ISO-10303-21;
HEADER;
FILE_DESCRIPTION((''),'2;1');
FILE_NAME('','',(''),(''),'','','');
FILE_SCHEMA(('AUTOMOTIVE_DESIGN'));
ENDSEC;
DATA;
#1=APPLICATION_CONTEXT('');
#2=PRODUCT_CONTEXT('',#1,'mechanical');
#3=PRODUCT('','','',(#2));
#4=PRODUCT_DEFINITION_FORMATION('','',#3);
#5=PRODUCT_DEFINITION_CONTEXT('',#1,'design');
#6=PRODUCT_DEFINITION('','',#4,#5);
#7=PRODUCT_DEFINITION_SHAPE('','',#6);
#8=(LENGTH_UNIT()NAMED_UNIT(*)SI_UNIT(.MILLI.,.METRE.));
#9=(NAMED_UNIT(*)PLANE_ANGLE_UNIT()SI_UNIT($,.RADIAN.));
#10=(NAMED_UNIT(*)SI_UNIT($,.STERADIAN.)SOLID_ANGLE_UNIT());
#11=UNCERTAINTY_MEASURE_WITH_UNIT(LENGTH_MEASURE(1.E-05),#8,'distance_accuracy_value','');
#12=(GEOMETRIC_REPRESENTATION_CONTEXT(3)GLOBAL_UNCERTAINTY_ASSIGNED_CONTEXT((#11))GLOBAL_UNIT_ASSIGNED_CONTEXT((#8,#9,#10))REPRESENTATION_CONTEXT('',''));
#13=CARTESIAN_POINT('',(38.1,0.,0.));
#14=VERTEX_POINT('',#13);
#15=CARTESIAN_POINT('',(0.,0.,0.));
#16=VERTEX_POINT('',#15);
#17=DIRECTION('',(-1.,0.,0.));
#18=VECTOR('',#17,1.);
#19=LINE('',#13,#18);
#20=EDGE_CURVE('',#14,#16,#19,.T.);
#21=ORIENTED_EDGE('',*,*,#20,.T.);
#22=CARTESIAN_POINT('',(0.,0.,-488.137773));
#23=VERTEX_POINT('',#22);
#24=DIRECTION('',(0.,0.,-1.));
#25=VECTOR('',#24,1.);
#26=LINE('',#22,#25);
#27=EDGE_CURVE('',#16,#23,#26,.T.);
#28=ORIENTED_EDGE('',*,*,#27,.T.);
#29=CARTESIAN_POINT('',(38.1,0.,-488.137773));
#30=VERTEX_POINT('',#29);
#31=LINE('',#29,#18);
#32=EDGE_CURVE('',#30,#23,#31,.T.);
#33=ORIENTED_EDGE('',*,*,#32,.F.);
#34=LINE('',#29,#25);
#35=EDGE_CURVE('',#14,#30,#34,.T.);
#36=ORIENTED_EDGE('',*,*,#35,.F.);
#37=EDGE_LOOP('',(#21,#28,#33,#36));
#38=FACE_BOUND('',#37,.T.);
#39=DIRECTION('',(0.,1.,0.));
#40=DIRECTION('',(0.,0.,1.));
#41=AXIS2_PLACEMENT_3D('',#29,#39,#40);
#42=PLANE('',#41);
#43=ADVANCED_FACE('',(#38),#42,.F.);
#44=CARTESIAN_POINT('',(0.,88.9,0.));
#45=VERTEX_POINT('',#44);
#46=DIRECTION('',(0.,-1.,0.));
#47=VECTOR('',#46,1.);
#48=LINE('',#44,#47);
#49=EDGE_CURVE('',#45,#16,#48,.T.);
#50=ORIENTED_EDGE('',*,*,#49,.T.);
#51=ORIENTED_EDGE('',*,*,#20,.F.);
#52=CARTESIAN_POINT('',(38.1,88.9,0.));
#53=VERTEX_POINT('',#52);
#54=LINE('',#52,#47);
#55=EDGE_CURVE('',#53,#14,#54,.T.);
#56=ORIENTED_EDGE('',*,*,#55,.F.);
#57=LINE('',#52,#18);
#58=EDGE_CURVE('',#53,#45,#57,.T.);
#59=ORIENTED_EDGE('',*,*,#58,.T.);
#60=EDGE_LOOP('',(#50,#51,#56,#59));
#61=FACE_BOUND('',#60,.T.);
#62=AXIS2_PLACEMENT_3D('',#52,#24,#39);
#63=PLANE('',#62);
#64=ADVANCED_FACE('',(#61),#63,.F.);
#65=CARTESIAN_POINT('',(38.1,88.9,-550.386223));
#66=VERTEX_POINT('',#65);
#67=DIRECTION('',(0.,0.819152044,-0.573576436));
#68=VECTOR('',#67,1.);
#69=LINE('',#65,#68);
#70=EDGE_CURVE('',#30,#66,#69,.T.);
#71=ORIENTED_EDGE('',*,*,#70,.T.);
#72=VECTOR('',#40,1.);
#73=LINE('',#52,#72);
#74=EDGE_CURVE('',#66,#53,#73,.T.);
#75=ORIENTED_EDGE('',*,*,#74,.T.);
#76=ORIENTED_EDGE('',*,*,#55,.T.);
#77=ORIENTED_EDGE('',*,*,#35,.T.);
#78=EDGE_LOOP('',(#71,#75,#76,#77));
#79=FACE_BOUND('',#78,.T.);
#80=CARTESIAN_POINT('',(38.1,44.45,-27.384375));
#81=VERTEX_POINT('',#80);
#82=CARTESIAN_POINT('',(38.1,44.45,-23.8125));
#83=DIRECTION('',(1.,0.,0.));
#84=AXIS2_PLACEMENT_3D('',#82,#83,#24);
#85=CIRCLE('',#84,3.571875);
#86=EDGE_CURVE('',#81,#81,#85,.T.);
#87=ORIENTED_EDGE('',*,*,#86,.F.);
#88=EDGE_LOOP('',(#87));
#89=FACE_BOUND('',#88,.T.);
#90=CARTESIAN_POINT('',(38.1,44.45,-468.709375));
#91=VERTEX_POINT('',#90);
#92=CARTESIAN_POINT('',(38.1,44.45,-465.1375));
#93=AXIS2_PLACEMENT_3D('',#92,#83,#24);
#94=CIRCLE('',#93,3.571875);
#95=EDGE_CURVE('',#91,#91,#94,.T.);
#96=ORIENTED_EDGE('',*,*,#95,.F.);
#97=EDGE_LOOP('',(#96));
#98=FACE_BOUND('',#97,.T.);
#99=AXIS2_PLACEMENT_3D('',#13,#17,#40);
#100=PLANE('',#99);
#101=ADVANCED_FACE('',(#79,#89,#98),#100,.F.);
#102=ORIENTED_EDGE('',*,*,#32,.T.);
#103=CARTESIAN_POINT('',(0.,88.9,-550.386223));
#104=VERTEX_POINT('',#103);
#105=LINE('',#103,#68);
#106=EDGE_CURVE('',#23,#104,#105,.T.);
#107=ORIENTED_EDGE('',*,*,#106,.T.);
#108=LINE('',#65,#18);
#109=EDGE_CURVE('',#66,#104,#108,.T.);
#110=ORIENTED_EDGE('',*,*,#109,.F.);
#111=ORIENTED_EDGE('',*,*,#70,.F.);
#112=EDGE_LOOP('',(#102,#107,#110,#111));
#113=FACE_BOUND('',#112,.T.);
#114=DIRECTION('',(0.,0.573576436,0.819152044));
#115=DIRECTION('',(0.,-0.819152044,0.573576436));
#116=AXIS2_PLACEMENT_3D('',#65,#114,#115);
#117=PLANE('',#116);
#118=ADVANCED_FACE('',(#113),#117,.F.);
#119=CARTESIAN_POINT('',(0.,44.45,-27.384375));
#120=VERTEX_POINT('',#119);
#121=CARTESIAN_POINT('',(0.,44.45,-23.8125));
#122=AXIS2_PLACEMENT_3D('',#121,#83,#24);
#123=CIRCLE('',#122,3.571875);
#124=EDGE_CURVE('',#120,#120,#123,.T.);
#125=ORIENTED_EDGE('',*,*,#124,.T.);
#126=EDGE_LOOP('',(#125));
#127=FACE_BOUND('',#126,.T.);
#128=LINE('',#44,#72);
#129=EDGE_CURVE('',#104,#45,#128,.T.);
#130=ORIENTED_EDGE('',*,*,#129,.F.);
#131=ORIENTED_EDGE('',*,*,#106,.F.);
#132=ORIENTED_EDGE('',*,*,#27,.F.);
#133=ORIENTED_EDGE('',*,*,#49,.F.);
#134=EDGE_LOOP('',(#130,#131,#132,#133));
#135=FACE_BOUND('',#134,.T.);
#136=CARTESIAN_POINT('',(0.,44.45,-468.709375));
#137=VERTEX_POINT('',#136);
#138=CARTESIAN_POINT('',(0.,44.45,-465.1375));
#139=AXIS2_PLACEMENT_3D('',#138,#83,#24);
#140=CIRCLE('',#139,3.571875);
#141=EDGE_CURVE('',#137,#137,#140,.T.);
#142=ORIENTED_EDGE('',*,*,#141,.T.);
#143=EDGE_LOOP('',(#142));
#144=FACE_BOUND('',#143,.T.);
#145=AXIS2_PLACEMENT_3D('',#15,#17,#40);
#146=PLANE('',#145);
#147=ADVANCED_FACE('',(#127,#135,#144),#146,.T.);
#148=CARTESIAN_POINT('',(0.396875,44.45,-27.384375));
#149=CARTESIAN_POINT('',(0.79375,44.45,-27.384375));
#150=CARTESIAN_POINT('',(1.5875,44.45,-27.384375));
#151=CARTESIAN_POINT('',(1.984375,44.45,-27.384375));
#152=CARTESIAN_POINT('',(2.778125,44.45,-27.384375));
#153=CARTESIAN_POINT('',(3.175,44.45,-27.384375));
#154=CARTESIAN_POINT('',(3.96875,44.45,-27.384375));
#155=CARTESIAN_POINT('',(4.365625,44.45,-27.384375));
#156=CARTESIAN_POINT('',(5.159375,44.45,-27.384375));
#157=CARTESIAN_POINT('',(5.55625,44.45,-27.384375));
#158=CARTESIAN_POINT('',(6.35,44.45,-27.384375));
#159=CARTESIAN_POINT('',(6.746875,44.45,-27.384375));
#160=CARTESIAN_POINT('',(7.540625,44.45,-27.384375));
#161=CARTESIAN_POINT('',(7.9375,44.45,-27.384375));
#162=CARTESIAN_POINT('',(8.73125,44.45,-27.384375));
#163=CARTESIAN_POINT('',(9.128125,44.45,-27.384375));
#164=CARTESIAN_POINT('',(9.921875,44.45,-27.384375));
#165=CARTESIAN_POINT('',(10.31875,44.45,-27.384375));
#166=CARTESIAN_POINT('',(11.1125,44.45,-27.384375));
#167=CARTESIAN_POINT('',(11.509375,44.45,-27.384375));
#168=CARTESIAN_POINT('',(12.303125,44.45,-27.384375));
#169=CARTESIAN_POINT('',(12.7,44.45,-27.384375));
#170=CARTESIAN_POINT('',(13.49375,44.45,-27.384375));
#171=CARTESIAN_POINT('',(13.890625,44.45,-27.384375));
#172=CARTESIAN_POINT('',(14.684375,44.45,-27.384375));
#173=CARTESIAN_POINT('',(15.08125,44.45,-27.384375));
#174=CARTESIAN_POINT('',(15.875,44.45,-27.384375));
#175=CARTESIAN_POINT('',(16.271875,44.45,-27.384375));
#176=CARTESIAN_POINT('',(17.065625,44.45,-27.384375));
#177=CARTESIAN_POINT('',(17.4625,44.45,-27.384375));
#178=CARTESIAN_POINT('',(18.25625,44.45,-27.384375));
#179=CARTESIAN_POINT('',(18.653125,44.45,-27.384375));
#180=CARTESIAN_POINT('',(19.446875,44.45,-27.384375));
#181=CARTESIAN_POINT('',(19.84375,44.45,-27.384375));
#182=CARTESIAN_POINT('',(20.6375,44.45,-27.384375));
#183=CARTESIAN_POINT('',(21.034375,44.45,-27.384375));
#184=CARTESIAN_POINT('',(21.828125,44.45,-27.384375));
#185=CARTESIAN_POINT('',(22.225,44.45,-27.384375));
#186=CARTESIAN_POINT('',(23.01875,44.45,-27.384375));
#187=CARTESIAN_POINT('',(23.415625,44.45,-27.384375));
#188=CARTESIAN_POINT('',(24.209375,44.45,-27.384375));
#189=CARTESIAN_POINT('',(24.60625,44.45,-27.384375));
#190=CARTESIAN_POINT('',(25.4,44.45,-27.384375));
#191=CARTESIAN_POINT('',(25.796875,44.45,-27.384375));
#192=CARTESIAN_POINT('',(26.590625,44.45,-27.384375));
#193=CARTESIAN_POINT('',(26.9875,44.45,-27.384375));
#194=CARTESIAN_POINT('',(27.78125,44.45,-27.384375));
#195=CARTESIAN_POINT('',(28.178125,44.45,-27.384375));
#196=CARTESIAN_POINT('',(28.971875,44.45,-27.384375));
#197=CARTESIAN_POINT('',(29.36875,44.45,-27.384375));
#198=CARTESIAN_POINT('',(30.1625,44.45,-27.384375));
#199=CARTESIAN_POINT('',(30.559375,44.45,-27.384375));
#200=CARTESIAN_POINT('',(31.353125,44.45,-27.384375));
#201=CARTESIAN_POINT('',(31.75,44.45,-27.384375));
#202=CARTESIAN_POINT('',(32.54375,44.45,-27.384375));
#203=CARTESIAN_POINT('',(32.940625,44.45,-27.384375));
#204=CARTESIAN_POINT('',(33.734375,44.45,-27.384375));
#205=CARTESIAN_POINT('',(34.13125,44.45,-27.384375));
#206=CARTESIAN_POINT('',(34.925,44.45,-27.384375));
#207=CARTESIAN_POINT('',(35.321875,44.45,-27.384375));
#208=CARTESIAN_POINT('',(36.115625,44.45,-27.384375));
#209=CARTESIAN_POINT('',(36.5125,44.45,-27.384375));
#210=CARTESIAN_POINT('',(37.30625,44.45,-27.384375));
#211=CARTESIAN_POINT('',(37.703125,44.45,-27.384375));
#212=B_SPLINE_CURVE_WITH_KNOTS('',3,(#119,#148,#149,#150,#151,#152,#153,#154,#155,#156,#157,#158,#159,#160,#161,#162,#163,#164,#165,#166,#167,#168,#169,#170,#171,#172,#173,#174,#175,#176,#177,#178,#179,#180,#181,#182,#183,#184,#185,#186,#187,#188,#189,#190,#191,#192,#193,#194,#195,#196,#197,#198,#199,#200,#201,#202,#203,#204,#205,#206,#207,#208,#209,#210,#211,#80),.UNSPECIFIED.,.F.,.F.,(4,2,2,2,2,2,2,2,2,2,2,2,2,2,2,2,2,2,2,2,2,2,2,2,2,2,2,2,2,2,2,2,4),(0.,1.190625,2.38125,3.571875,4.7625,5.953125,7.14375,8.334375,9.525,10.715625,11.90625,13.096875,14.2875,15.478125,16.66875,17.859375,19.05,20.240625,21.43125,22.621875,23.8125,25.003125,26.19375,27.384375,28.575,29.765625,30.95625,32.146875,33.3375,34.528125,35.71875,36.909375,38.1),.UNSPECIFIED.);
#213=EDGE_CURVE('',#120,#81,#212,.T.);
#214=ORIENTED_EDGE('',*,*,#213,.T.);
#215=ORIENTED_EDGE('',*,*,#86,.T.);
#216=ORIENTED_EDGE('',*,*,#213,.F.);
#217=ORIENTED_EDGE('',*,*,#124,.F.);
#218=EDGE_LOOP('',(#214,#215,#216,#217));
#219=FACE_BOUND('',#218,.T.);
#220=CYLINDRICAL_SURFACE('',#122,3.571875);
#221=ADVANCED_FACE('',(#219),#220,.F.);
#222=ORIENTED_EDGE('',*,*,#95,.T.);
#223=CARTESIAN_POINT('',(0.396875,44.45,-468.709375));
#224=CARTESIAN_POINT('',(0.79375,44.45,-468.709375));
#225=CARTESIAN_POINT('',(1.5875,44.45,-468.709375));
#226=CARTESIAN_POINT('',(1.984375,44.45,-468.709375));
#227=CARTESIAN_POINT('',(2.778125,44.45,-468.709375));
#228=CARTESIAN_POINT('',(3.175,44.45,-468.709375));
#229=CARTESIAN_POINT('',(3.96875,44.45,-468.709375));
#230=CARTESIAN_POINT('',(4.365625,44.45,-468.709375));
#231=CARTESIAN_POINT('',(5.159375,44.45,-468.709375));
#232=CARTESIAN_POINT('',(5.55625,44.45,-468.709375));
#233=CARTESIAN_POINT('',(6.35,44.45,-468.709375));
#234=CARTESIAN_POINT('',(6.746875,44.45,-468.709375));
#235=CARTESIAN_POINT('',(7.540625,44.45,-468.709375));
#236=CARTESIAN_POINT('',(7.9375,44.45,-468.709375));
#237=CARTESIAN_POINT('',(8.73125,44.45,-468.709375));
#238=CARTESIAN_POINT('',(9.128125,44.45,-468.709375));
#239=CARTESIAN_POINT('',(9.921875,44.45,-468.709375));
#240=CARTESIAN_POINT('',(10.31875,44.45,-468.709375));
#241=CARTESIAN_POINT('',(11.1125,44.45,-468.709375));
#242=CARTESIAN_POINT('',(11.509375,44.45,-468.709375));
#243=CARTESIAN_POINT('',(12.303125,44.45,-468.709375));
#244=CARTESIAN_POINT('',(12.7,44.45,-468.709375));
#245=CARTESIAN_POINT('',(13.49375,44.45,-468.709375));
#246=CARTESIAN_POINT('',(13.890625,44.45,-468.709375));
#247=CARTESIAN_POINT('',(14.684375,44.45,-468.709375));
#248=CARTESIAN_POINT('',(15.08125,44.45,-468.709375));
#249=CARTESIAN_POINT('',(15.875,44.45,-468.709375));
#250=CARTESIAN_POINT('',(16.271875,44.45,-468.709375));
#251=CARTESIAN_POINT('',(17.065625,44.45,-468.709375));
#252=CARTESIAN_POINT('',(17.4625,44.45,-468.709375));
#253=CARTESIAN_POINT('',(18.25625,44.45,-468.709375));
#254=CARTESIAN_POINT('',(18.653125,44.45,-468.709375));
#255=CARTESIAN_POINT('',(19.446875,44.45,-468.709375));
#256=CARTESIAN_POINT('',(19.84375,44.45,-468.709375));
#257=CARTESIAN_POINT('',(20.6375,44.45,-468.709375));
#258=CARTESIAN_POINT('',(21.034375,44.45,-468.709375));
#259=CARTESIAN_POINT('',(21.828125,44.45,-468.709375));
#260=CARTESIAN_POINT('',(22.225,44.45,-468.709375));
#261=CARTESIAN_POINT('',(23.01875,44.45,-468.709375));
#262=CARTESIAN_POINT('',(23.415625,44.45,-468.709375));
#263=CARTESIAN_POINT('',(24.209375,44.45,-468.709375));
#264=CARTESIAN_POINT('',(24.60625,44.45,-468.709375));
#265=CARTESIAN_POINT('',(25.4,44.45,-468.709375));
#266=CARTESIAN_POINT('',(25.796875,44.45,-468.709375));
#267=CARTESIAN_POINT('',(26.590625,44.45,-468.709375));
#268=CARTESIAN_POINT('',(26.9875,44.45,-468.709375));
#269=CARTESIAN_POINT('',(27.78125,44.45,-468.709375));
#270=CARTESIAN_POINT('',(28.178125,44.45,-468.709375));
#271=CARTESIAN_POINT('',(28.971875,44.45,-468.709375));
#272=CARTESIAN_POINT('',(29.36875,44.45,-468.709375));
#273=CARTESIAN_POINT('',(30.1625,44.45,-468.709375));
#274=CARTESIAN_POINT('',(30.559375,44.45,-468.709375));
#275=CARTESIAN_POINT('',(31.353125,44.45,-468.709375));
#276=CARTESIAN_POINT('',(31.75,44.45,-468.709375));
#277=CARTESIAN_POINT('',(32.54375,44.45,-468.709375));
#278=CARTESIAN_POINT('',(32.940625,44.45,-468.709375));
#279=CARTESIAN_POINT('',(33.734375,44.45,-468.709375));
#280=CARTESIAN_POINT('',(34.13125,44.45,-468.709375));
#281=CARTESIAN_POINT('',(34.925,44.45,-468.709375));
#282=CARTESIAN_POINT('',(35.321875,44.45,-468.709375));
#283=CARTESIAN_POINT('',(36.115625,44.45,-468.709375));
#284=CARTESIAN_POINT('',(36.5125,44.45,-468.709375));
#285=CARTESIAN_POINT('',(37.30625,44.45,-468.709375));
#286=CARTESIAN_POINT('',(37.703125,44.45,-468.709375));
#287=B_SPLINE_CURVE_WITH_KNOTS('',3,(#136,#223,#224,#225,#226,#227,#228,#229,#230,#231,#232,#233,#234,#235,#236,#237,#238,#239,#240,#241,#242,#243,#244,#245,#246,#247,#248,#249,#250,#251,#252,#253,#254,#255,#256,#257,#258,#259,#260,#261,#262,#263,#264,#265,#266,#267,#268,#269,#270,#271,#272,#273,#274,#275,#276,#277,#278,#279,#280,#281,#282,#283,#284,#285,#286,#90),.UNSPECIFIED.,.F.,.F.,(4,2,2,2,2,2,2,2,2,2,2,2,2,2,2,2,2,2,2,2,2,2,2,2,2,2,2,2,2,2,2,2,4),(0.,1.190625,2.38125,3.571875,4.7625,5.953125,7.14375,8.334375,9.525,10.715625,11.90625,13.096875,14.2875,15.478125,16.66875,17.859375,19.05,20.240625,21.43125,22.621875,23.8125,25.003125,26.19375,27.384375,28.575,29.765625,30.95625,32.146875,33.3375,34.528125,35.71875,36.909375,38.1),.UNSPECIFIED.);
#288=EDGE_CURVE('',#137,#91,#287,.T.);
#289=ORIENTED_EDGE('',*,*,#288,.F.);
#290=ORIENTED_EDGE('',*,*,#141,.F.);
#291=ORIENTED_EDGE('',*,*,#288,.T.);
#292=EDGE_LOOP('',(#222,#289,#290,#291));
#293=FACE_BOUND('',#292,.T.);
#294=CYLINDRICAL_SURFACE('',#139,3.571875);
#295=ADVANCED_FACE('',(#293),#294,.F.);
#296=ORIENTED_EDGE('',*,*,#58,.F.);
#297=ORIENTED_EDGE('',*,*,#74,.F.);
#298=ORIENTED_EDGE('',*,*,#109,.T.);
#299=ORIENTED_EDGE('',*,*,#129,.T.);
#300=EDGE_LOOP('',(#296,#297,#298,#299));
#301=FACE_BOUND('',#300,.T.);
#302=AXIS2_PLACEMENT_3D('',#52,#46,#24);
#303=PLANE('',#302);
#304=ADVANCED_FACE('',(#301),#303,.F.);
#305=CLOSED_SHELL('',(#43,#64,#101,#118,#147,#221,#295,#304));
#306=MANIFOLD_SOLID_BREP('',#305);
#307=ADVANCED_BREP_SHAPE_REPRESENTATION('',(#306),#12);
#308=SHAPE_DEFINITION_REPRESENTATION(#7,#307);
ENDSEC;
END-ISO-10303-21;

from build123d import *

# Parameters (mm, degrees)
BOSS_EXTRUDE1_DEPTH = 38.1
SKETCH2_R           = 3.571875
CUT_EXTRUDE1_DEPTH  = 559.820020083


with BuildPart() as part:
    # Sketch1 → Boss-Extrude1 (new body)
    with BuildSketch(Plane(origin=(0, 0, 0), x_dir=(0, 0, -1), z_dir=(1, 0, 0))):
        Polygon((0, 88.9), (550.386223343, 88.9), (488.137773196, 0), (0, 0), align=None)
    extrude(amount=BOSS_EXTRUDE1_DEPTH)

    # Sketch2 → Cut-Extrude1 (cut, through all)
    with BuildSketch(Plane(origin=(38.1, 0, 0), x_dir=(0, 0, -1), z_dir=(1, 0, 0))):
        with Locations((23.8125, 44.45)):
            Circle(SKETCH2_R)
        with Locations((465.1375, 44.45)):
            Circle(SKETCH2_R)
    extrude(amount=-CUT_EXTRUDE1_DEPTH, mode=Mode.SUBTRACT)


solid = part.part
